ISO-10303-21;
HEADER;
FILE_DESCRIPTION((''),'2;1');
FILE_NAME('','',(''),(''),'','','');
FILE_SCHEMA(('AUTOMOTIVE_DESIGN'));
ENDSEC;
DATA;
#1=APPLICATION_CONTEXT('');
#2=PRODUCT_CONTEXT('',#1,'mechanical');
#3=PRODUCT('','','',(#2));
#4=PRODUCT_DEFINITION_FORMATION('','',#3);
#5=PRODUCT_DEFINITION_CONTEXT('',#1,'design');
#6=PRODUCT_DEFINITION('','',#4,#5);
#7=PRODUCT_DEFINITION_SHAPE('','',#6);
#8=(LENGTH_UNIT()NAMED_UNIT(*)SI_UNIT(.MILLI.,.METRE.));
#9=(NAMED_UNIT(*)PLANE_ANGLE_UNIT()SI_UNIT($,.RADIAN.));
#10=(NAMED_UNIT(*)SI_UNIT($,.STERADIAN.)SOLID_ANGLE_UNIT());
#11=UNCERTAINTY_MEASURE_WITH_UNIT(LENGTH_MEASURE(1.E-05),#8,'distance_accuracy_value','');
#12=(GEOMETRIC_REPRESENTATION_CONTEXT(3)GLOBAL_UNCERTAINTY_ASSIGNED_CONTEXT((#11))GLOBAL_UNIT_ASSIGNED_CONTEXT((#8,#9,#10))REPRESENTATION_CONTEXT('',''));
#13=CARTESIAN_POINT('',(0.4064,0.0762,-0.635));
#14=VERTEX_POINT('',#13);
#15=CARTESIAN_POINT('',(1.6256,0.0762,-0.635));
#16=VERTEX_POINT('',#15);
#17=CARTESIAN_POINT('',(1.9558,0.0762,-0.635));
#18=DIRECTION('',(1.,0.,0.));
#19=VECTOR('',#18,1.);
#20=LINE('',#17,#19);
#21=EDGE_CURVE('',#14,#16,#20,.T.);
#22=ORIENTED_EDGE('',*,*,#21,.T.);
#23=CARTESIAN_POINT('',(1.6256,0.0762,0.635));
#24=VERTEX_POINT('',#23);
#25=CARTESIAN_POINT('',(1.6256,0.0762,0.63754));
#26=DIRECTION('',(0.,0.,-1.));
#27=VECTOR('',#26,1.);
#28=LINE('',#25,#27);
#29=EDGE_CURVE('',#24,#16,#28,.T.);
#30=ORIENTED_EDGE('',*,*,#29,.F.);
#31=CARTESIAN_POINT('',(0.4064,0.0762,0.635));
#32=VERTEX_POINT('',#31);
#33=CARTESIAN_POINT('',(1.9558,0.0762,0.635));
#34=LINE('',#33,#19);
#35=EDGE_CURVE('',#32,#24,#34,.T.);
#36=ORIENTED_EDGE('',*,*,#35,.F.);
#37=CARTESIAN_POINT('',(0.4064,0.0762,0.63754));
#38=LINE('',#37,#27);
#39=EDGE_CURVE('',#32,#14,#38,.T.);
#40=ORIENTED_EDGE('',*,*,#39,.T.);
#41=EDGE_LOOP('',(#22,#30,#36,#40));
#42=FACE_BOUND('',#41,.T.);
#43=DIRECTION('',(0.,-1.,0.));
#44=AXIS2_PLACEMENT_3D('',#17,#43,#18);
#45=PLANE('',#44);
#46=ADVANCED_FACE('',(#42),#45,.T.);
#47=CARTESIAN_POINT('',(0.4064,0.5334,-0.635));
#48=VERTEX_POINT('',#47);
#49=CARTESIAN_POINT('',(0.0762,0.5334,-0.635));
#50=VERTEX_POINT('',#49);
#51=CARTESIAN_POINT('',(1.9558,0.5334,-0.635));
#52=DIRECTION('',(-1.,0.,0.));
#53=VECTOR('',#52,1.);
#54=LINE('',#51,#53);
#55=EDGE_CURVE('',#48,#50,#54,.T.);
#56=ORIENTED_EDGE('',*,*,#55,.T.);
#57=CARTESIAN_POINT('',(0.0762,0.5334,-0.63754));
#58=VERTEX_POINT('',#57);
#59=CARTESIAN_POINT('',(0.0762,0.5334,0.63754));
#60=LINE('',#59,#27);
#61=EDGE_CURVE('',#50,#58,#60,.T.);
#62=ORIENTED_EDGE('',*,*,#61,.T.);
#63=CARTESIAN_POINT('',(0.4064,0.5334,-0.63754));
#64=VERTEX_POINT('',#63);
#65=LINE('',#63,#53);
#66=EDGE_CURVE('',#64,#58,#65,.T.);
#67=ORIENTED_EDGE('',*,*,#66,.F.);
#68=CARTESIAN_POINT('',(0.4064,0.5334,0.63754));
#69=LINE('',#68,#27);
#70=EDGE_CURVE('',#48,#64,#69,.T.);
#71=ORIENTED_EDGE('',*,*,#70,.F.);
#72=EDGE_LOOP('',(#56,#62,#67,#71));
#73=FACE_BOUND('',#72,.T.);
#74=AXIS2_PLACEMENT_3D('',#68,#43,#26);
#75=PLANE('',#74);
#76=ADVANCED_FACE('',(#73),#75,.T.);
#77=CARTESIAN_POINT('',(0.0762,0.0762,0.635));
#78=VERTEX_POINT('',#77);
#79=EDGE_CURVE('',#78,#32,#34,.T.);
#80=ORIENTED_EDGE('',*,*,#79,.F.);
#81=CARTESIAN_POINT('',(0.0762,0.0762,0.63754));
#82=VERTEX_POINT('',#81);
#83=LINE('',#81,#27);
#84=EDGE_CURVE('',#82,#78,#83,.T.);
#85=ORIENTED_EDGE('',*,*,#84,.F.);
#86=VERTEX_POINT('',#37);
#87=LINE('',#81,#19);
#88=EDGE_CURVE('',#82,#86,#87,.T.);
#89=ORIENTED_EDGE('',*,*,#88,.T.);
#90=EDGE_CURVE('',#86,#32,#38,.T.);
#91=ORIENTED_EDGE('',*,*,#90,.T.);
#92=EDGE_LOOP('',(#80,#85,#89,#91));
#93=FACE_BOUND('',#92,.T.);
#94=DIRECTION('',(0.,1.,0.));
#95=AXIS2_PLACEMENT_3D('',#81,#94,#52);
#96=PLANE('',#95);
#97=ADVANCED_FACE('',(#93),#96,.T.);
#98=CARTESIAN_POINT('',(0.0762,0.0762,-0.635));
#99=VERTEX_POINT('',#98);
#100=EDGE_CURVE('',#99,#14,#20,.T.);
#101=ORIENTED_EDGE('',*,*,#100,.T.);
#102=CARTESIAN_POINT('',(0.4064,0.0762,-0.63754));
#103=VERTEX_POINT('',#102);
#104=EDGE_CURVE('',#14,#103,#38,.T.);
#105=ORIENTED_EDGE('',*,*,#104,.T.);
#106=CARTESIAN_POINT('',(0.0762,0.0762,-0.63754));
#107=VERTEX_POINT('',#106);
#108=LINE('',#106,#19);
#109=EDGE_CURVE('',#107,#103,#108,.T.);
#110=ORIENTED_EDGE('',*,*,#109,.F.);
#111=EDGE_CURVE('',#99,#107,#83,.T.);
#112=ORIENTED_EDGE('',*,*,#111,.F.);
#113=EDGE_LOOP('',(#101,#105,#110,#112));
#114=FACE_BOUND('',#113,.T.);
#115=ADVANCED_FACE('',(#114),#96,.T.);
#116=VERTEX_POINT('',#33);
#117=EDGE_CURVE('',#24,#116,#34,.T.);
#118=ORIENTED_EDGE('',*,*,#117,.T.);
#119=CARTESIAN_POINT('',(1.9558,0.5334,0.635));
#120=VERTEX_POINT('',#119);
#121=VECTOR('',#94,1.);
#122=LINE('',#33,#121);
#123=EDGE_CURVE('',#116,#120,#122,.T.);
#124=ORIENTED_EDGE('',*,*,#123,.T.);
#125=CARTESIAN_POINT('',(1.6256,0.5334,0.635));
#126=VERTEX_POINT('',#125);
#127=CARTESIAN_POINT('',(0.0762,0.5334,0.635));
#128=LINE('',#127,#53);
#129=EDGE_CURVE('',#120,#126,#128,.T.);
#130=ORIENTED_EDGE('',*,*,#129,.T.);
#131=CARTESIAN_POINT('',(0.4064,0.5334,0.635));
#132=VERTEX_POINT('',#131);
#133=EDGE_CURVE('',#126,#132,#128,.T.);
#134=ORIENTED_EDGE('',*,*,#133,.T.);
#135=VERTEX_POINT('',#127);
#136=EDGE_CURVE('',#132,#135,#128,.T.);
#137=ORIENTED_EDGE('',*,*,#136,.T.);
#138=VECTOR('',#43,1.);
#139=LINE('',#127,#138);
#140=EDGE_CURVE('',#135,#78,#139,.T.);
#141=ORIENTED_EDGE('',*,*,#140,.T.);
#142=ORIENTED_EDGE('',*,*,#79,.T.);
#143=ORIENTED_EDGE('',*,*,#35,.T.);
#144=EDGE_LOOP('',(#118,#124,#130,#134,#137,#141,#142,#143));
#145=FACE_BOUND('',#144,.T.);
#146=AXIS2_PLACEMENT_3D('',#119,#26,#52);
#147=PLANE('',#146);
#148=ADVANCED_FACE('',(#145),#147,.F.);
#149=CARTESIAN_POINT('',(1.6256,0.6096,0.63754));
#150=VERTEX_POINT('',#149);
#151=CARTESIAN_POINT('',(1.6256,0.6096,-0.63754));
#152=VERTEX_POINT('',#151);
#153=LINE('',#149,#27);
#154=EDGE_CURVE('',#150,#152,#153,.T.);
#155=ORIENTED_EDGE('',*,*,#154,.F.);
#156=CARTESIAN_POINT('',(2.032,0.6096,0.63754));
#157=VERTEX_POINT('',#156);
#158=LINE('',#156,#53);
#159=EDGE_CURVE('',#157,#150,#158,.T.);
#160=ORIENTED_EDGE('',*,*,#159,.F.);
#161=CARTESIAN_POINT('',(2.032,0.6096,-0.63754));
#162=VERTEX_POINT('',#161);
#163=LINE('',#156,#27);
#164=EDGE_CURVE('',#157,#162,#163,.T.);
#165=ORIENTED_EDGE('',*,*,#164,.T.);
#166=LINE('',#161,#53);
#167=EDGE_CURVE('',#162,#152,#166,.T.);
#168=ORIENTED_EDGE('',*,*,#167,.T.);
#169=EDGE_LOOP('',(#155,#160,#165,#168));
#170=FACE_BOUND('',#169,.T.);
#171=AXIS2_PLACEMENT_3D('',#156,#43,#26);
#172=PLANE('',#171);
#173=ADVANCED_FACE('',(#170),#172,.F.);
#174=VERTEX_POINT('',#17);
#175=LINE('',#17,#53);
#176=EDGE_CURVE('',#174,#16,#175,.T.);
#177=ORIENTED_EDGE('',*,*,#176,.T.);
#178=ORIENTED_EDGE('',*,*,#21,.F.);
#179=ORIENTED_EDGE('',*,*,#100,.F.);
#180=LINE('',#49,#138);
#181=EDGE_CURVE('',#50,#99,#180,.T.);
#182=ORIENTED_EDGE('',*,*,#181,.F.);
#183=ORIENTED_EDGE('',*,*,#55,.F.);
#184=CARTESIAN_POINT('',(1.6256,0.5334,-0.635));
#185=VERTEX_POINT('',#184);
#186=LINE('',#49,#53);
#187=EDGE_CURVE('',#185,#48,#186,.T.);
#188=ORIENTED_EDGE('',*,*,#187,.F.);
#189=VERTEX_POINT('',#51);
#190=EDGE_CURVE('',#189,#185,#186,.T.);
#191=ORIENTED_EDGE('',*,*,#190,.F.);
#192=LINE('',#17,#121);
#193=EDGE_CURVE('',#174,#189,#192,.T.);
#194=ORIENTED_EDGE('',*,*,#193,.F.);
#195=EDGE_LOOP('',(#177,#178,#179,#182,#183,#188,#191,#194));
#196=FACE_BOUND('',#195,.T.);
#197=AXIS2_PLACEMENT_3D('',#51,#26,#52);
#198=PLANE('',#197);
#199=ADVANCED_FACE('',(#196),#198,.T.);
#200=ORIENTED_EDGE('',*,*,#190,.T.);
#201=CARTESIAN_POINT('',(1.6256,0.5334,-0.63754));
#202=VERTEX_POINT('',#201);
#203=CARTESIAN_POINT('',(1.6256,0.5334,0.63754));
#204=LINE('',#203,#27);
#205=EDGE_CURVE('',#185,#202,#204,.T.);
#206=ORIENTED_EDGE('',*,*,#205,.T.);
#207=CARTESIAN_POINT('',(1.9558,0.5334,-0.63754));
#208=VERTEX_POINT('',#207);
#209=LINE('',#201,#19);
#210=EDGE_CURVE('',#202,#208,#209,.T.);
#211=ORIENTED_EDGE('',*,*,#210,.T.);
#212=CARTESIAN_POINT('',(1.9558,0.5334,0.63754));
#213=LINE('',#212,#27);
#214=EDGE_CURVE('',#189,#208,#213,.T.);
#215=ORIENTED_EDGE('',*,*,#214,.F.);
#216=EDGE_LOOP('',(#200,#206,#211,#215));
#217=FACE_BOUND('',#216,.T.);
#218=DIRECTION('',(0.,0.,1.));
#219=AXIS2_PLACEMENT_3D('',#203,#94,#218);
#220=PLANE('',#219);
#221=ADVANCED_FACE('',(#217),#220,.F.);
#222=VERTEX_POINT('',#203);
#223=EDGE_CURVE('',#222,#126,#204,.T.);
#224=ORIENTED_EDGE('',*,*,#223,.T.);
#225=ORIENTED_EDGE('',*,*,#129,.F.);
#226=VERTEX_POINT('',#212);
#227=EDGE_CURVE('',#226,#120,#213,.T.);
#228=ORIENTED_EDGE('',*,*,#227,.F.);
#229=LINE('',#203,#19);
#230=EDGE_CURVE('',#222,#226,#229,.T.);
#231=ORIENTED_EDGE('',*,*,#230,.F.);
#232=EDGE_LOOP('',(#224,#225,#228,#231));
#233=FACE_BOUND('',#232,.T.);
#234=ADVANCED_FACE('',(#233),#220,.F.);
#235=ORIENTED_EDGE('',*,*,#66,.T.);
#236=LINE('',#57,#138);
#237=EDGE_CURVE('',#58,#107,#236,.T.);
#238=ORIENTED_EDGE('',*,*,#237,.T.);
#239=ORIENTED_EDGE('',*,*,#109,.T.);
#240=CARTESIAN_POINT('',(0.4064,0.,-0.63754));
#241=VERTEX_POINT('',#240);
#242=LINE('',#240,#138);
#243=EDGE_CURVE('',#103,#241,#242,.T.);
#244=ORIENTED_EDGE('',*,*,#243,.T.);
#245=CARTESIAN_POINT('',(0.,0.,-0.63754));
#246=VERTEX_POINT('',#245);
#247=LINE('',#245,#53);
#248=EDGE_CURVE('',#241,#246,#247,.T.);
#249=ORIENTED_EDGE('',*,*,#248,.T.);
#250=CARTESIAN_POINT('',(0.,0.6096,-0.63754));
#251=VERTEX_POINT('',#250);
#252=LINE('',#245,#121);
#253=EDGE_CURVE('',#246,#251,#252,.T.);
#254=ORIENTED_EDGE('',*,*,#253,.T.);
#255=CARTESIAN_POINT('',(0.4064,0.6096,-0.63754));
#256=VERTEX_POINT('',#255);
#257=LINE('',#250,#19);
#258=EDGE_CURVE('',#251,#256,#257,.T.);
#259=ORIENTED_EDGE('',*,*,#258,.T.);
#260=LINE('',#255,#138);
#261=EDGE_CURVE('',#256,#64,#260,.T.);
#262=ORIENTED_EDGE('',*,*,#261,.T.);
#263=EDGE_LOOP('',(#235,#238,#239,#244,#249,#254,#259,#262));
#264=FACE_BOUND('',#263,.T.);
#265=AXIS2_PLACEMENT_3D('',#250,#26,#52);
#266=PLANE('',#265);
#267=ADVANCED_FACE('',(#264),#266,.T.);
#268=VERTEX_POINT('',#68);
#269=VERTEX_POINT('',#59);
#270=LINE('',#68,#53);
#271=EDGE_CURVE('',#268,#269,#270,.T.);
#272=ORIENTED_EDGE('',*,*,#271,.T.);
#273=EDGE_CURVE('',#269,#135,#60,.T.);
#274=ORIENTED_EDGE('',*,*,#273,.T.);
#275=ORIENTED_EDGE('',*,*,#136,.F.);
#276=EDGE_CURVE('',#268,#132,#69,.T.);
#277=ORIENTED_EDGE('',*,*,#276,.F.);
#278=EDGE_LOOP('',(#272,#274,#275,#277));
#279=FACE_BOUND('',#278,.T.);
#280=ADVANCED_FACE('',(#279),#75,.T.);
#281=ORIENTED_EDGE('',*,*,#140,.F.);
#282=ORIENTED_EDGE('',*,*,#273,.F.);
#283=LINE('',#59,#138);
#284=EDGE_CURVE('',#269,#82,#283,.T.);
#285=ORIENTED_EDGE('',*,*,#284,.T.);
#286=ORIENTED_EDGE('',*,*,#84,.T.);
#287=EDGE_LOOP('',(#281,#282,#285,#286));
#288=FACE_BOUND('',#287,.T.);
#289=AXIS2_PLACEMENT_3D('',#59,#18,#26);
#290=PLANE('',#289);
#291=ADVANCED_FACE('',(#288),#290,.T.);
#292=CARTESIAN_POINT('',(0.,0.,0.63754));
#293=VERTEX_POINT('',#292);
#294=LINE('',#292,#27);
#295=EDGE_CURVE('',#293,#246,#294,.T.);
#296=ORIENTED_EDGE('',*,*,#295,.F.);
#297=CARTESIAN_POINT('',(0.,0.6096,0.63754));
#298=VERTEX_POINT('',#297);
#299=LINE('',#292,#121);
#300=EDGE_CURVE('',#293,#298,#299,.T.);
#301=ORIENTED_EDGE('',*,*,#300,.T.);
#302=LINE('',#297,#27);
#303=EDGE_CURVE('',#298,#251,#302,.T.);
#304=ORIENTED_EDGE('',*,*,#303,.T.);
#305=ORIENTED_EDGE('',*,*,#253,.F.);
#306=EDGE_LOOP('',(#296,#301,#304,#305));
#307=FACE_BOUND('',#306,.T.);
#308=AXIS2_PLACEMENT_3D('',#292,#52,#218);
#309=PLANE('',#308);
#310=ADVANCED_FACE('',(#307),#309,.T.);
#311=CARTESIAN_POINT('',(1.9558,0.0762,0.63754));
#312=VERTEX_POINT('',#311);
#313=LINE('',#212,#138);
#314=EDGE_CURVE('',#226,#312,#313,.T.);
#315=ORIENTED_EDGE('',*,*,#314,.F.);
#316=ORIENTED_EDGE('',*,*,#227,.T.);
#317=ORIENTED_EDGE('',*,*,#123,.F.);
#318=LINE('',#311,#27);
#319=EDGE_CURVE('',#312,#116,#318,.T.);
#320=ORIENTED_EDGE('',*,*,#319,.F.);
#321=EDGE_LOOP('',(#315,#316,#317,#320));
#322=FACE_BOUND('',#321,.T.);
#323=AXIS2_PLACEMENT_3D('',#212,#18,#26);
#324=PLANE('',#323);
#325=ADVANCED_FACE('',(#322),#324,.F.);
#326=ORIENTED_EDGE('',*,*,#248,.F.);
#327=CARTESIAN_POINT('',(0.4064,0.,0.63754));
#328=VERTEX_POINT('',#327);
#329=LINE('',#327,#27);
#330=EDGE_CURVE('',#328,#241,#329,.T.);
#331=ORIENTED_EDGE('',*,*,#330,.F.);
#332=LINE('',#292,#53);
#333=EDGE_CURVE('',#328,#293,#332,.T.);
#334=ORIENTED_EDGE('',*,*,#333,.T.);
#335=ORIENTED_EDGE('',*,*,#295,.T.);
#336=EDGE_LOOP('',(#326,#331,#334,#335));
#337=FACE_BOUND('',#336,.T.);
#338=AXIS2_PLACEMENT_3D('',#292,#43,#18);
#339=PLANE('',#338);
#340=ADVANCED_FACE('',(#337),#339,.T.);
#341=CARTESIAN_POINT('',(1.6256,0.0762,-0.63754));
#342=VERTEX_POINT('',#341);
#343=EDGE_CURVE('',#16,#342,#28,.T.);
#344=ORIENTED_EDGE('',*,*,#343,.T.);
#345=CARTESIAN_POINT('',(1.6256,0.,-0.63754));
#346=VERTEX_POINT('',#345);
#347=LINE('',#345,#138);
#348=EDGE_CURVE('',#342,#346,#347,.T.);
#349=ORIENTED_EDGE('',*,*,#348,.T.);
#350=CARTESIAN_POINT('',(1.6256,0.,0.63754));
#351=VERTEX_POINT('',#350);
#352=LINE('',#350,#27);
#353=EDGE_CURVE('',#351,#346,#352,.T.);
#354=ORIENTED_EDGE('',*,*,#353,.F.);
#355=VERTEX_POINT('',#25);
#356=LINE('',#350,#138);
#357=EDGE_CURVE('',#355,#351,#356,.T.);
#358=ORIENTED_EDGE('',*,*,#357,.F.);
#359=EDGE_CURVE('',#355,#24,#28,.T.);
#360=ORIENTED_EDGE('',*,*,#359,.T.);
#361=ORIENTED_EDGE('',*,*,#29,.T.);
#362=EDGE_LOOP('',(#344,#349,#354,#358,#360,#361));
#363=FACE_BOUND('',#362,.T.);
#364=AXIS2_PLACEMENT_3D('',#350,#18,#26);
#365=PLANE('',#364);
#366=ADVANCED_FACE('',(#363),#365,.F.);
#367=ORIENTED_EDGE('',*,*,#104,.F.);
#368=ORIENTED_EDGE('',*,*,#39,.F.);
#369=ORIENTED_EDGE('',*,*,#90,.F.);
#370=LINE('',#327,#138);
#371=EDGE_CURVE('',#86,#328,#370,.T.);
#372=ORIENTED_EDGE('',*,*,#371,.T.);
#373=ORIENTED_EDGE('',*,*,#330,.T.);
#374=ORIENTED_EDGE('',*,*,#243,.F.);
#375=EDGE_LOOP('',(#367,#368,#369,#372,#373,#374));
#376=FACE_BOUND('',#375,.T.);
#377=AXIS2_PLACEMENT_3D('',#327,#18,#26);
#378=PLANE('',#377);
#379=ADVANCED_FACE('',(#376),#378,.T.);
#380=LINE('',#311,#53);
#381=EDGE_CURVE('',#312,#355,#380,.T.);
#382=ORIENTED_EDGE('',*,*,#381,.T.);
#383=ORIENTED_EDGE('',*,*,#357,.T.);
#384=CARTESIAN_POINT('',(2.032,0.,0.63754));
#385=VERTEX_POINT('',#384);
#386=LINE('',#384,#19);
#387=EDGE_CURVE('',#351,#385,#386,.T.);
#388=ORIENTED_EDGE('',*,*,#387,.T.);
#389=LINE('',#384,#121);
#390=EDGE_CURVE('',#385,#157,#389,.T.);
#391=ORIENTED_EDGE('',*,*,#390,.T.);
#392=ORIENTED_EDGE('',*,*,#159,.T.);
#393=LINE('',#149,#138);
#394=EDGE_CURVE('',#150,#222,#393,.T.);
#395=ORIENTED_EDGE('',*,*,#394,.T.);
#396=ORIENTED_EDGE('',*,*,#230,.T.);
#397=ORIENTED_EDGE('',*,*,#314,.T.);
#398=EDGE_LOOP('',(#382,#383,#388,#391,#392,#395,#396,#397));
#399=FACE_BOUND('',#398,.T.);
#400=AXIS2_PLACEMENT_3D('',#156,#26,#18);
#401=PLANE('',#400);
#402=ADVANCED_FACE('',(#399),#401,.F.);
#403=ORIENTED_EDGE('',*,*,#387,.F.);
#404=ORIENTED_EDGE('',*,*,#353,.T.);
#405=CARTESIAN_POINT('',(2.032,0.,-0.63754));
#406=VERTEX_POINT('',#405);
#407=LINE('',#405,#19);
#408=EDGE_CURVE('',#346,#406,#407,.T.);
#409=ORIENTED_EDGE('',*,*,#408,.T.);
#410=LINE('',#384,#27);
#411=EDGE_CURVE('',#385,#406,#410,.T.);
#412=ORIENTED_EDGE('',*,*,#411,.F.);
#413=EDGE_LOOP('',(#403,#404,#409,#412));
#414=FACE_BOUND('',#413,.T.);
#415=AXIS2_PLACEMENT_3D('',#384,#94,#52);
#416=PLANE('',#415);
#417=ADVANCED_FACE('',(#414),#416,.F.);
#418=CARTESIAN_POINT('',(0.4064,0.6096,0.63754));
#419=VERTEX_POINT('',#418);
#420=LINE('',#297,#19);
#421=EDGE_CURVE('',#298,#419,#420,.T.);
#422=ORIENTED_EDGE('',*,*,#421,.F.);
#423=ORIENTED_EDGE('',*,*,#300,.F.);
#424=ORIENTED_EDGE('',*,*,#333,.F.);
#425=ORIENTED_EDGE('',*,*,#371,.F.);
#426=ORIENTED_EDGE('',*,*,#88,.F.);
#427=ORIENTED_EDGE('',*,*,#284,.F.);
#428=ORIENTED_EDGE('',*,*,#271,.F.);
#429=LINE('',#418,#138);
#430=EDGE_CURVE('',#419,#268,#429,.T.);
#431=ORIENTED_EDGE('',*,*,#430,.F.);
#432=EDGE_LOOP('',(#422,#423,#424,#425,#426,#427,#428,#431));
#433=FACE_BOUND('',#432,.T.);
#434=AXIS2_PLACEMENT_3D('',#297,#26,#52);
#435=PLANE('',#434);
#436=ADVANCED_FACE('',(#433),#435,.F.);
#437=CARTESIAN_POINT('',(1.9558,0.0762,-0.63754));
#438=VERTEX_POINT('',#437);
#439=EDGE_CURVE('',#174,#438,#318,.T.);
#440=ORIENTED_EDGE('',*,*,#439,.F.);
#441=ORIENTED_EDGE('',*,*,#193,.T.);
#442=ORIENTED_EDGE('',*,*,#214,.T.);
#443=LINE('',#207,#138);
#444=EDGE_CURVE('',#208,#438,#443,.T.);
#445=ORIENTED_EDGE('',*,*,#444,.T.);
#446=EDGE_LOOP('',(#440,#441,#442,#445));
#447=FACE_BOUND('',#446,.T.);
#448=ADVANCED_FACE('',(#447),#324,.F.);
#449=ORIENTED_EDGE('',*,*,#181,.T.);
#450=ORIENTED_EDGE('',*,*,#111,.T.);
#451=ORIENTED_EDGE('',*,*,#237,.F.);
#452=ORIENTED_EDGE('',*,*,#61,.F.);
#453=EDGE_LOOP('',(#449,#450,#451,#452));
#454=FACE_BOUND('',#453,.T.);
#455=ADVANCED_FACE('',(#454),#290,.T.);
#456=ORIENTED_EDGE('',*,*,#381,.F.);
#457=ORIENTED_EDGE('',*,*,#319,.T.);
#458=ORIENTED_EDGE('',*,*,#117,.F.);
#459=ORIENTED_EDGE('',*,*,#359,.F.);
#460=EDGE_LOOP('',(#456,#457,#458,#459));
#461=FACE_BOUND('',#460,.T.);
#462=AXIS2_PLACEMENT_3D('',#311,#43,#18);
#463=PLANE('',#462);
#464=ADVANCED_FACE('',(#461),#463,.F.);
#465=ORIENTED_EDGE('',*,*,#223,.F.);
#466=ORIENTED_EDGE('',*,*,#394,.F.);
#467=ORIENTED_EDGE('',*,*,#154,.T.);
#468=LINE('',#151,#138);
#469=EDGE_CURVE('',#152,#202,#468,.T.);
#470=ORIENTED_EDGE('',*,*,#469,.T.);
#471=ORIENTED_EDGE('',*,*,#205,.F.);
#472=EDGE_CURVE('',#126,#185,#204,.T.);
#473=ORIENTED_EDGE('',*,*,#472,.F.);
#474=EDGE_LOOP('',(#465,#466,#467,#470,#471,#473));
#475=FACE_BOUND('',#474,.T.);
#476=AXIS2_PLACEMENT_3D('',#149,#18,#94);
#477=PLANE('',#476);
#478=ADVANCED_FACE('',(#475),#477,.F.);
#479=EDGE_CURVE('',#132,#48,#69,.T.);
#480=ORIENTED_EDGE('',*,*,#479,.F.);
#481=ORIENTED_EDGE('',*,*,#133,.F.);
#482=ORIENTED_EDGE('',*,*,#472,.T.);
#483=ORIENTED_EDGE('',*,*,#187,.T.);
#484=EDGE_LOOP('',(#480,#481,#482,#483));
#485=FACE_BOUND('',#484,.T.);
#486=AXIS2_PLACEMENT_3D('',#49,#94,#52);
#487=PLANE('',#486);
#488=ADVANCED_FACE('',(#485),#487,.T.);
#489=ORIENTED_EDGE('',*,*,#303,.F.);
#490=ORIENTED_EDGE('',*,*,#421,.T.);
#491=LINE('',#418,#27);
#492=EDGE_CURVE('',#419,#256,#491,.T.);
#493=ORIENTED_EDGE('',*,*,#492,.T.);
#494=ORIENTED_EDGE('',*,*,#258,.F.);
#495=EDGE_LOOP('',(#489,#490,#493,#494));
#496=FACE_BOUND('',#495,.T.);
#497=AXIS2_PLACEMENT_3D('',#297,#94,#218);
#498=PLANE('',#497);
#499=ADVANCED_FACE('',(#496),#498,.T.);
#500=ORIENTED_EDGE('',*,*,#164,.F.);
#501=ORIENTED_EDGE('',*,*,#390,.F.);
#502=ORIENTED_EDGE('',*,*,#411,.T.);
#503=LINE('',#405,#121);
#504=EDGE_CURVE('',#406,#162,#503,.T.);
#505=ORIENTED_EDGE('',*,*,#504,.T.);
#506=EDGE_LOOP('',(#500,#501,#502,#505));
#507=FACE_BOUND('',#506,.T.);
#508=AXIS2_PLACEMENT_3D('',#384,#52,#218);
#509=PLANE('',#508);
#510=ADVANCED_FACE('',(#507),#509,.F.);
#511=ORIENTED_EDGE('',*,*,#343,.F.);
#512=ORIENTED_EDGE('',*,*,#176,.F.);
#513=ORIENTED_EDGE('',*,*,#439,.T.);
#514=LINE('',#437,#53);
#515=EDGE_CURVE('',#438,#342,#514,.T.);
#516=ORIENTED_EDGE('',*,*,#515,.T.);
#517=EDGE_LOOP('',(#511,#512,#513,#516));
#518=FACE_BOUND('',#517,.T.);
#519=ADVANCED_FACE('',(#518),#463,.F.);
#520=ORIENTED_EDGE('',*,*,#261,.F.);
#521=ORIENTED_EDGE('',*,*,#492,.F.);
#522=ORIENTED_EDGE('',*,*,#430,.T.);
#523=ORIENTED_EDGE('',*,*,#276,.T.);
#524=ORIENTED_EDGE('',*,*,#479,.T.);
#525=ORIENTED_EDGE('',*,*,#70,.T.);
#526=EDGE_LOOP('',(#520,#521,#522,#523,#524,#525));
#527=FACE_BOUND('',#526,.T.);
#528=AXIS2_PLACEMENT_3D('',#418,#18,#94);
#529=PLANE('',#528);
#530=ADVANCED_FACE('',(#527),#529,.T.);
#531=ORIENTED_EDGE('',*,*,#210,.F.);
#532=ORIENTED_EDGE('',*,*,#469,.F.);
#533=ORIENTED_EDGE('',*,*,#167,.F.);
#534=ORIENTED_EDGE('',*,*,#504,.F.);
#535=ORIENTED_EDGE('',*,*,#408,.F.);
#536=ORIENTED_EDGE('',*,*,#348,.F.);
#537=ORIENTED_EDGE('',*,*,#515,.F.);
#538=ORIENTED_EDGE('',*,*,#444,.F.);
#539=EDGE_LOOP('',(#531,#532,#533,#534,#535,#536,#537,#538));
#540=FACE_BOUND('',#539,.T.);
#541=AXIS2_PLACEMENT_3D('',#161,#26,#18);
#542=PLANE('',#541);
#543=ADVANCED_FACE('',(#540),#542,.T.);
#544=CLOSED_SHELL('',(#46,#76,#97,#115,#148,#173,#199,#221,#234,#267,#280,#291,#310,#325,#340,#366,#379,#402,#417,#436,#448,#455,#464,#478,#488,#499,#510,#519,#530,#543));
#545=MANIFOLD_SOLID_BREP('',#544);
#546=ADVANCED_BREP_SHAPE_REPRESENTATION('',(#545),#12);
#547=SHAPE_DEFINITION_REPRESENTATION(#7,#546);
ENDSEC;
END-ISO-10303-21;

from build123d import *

# Parameters (mm, degrees)
SKETCH1_W           = 1.8796
SKETCH1_H           = 0.4572
BASE_EXTRUDE_DEPTH  = 0.635
BOSS_EXTRUDE1_DEPTH = 1.27508


with BuildPart() as part:
    # Sketch1 → Base-Extrude (new body, symmetric)
    with BuildSketch(Plane.XY):
        with Locations((1.016, 0.3048)):
            Rectangle(SKETCH1_W, SKETCH1_H)
    extrude(amount=BASE_EXTRUDE_DEPTH, both=True)

    # Sketch2 → Boss-Extrude1 (add)
    with BuildSketch(Plane(origin=(0, 0, -0.63754), x_dir=(-1, 0, 0), z_dir=(0, 0, -1))):
        Polygon((0, 0), (-0.4064, 0), (-0.4064, 0.0762), (-0.0762, 0.0762), (-0.0762, 0.5334), (-0.4064, 0.5334), (-0.4064, 0.6096), (0, 0.6096), align=None)
    boss_extrude1 = extrude(amount=-BOSS_EXTRUDE1_DEPTH)

    # Mirror1: Boss-Extrude1 across plane
    add(boss_extrude1.mirror(Plane(origin=(1.016, 0, 0), x_dir=(0, 0, 1), z_dir=(1, 0, 0))))


solid = part.part
